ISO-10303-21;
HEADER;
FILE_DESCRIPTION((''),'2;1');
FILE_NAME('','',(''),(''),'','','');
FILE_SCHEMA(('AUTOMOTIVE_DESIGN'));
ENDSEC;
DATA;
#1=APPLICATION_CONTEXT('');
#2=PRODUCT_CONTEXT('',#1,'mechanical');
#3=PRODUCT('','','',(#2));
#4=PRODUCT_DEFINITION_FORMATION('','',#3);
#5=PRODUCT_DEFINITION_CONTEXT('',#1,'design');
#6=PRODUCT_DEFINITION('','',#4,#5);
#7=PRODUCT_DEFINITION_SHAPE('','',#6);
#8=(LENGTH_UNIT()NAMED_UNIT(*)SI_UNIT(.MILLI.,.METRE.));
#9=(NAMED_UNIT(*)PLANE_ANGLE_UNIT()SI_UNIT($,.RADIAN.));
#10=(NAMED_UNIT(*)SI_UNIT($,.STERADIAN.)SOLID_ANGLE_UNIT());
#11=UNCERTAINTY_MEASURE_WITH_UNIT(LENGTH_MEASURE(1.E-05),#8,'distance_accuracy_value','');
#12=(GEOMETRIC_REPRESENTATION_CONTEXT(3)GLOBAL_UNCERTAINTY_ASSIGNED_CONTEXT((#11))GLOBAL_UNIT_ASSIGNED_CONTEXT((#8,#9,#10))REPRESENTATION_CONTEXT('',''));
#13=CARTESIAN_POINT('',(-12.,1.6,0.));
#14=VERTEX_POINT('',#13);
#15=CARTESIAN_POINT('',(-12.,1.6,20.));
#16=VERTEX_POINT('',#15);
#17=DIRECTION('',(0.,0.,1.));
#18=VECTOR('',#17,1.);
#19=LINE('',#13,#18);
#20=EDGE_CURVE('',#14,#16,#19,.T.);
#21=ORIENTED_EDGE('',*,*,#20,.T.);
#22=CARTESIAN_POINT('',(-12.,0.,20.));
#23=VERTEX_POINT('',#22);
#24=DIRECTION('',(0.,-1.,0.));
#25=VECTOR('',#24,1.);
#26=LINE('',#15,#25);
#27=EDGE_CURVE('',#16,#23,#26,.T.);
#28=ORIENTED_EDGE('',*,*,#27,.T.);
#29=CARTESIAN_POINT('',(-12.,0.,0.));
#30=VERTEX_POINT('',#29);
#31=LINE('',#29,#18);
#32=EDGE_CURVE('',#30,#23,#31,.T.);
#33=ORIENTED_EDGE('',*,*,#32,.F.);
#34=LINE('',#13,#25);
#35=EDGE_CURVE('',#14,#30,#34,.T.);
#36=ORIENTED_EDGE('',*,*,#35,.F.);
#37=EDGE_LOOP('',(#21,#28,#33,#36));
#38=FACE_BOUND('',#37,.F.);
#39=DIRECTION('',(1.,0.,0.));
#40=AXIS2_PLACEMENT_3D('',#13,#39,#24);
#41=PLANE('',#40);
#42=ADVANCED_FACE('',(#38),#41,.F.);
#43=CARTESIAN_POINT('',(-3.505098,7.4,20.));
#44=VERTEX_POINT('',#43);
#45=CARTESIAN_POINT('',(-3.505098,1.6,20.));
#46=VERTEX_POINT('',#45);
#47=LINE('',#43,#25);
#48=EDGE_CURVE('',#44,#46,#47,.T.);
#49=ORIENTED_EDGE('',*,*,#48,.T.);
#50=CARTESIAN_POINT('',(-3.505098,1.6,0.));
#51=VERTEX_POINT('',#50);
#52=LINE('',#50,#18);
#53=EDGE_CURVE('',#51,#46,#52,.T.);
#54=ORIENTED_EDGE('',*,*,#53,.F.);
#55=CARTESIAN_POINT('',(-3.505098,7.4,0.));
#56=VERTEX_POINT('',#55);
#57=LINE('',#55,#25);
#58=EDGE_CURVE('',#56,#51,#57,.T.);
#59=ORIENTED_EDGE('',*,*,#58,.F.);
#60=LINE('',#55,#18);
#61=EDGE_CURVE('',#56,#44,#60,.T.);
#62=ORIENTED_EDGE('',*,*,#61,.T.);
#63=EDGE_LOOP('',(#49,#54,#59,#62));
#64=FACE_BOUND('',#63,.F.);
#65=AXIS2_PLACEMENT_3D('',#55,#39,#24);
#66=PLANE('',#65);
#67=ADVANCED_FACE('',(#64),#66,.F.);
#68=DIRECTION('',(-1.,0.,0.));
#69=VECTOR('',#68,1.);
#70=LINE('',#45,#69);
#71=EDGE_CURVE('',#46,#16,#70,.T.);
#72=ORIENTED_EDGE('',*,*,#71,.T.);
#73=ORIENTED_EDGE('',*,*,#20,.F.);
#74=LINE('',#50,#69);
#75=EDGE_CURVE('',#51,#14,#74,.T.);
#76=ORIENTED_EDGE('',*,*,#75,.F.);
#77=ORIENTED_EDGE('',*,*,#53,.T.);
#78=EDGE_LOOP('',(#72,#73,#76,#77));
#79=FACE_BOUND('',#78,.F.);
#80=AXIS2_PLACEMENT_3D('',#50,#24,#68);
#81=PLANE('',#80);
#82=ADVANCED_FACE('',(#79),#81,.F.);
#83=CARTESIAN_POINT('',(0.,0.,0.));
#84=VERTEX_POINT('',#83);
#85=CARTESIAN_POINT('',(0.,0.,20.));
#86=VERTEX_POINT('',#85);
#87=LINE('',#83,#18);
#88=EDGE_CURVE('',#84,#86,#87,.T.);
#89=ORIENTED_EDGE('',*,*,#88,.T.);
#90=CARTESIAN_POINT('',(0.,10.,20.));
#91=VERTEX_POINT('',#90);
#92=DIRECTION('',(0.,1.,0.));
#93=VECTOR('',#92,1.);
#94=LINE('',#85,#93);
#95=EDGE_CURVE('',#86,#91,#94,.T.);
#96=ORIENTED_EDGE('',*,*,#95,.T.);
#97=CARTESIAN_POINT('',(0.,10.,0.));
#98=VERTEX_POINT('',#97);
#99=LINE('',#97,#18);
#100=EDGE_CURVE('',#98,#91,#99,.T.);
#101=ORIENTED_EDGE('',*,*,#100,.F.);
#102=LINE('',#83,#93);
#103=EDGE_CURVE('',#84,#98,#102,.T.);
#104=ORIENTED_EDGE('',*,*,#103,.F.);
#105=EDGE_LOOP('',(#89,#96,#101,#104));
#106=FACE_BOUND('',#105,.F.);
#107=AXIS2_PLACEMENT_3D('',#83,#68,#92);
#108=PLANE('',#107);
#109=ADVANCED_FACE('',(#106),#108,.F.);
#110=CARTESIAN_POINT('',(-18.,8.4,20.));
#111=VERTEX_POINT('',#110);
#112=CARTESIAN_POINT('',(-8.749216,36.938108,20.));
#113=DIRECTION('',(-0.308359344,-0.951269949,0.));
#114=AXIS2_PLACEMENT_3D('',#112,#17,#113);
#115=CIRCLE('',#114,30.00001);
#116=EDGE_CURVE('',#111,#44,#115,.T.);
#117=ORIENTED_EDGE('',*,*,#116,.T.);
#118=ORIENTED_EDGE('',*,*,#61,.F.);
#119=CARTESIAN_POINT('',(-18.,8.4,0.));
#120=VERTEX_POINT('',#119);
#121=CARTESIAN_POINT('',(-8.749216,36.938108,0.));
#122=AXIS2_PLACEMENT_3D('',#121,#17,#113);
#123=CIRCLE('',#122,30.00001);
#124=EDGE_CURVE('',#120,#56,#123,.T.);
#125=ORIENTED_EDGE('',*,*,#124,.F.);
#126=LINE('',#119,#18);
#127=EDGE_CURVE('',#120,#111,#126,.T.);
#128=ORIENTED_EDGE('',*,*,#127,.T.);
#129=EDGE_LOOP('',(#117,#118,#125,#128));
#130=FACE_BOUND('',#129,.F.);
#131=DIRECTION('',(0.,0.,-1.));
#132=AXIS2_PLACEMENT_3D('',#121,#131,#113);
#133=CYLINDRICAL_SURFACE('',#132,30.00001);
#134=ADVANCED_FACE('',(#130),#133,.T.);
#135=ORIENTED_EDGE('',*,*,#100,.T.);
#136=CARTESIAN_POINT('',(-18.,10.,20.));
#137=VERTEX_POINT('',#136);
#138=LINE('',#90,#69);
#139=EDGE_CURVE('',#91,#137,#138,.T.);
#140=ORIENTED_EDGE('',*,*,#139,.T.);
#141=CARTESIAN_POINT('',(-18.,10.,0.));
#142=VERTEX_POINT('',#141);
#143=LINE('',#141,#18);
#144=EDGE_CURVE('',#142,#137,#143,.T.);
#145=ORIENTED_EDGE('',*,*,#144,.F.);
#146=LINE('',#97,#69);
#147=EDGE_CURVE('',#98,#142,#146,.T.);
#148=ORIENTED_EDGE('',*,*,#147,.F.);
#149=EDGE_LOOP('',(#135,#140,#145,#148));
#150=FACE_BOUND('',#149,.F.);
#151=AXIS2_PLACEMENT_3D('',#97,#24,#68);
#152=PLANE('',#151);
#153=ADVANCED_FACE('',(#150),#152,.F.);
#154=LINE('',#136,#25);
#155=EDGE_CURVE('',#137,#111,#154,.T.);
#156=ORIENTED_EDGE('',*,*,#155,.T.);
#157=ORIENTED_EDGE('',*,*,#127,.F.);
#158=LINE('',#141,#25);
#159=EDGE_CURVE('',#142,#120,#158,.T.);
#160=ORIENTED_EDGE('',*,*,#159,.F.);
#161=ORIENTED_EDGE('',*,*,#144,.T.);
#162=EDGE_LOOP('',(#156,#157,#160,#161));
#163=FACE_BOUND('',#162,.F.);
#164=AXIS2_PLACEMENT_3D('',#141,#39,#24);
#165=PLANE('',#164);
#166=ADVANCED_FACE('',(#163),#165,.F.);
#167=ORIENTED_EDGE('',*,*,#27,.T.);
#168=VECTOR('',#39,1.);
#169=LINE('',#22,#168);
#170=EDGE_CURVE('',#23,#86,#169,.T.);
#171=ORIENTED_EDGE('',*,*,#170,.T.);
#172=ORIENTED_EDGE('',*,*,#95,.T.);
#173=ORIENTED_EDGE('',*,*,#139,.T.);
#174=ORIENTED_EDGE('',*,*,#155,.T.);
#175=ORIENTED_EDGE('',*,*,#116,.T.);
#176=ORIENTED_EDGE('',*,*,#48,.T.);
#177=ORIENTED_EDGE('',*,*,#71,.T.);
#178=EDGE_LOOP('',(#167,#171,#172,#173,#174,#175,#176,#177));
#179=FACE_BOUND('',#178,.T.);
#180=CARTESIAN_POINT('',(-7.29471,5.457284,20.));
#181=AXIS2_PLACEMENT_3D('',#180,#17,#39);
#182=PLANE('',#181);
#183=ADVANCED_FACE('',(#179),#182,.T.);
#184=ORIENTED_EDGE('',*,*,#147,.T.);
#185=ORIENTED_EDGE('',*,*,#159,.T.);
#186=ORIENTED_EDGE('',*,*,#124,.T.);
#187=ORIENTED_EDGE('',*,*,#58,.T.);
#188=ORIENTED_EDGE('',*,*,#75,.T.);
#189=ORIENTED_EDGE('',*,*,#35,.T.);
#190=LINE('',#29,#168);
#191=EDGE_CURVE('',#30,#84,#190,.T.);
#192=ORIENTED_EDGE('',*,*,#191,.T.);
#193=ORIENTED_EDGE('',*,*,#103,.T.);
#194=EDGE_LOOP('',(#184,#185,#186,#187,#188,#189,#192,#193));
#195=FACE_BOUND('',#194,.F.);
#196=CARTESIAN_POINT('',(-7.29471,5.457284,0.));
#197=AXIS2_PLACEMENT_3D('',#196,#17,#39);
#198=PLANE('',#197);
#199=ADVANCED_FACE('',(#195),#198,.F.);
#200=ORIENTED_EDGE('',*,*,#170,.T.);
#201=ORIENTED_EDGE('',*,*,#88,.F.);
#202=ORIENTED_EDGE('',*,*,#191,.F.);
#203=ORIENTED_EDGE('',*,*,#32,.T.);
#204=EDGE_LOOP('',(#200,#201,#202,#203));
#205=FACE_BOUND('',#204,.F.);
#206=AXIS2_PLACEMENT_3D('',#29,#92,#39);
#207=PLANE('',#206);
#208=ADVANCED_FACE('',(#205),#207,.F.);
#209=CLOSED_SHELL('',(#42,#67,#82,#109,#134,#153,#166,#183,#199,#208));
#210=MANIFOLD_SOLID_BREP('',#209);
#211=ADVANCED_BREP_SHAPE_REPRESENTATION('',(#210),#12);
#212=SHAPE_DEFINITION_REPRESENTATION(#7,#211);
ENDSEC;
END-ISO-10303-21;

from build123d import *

# Parameters (mm, degrees)
F1_DEPTH = 20


with BuildPart() as f1:
    # F0 (on Top) → F1 (new body)
    with BuildSketch(Plane.XY):
        with BuildLine():
            Line((-12, 1.6), (-12, 0))
            Line((-12, 0), (0, 0))
            Line((0, 0), (0, 10))
            Line((0, 10), (-18, 10))
            Line((-18, 10), (-18, 8.4))
            ThreePointArc((-18, 8.4), (-10.814003, 7.009238), (-3.505098, 7.4))
            Line((-3.505098, 7.4), (-3.505098, 1.6))
            Line((-3.505098, 1.6), (-12, 1.6))
        make_face()
    extrude(amount=F1_DEPTH)


solid = f1.part
